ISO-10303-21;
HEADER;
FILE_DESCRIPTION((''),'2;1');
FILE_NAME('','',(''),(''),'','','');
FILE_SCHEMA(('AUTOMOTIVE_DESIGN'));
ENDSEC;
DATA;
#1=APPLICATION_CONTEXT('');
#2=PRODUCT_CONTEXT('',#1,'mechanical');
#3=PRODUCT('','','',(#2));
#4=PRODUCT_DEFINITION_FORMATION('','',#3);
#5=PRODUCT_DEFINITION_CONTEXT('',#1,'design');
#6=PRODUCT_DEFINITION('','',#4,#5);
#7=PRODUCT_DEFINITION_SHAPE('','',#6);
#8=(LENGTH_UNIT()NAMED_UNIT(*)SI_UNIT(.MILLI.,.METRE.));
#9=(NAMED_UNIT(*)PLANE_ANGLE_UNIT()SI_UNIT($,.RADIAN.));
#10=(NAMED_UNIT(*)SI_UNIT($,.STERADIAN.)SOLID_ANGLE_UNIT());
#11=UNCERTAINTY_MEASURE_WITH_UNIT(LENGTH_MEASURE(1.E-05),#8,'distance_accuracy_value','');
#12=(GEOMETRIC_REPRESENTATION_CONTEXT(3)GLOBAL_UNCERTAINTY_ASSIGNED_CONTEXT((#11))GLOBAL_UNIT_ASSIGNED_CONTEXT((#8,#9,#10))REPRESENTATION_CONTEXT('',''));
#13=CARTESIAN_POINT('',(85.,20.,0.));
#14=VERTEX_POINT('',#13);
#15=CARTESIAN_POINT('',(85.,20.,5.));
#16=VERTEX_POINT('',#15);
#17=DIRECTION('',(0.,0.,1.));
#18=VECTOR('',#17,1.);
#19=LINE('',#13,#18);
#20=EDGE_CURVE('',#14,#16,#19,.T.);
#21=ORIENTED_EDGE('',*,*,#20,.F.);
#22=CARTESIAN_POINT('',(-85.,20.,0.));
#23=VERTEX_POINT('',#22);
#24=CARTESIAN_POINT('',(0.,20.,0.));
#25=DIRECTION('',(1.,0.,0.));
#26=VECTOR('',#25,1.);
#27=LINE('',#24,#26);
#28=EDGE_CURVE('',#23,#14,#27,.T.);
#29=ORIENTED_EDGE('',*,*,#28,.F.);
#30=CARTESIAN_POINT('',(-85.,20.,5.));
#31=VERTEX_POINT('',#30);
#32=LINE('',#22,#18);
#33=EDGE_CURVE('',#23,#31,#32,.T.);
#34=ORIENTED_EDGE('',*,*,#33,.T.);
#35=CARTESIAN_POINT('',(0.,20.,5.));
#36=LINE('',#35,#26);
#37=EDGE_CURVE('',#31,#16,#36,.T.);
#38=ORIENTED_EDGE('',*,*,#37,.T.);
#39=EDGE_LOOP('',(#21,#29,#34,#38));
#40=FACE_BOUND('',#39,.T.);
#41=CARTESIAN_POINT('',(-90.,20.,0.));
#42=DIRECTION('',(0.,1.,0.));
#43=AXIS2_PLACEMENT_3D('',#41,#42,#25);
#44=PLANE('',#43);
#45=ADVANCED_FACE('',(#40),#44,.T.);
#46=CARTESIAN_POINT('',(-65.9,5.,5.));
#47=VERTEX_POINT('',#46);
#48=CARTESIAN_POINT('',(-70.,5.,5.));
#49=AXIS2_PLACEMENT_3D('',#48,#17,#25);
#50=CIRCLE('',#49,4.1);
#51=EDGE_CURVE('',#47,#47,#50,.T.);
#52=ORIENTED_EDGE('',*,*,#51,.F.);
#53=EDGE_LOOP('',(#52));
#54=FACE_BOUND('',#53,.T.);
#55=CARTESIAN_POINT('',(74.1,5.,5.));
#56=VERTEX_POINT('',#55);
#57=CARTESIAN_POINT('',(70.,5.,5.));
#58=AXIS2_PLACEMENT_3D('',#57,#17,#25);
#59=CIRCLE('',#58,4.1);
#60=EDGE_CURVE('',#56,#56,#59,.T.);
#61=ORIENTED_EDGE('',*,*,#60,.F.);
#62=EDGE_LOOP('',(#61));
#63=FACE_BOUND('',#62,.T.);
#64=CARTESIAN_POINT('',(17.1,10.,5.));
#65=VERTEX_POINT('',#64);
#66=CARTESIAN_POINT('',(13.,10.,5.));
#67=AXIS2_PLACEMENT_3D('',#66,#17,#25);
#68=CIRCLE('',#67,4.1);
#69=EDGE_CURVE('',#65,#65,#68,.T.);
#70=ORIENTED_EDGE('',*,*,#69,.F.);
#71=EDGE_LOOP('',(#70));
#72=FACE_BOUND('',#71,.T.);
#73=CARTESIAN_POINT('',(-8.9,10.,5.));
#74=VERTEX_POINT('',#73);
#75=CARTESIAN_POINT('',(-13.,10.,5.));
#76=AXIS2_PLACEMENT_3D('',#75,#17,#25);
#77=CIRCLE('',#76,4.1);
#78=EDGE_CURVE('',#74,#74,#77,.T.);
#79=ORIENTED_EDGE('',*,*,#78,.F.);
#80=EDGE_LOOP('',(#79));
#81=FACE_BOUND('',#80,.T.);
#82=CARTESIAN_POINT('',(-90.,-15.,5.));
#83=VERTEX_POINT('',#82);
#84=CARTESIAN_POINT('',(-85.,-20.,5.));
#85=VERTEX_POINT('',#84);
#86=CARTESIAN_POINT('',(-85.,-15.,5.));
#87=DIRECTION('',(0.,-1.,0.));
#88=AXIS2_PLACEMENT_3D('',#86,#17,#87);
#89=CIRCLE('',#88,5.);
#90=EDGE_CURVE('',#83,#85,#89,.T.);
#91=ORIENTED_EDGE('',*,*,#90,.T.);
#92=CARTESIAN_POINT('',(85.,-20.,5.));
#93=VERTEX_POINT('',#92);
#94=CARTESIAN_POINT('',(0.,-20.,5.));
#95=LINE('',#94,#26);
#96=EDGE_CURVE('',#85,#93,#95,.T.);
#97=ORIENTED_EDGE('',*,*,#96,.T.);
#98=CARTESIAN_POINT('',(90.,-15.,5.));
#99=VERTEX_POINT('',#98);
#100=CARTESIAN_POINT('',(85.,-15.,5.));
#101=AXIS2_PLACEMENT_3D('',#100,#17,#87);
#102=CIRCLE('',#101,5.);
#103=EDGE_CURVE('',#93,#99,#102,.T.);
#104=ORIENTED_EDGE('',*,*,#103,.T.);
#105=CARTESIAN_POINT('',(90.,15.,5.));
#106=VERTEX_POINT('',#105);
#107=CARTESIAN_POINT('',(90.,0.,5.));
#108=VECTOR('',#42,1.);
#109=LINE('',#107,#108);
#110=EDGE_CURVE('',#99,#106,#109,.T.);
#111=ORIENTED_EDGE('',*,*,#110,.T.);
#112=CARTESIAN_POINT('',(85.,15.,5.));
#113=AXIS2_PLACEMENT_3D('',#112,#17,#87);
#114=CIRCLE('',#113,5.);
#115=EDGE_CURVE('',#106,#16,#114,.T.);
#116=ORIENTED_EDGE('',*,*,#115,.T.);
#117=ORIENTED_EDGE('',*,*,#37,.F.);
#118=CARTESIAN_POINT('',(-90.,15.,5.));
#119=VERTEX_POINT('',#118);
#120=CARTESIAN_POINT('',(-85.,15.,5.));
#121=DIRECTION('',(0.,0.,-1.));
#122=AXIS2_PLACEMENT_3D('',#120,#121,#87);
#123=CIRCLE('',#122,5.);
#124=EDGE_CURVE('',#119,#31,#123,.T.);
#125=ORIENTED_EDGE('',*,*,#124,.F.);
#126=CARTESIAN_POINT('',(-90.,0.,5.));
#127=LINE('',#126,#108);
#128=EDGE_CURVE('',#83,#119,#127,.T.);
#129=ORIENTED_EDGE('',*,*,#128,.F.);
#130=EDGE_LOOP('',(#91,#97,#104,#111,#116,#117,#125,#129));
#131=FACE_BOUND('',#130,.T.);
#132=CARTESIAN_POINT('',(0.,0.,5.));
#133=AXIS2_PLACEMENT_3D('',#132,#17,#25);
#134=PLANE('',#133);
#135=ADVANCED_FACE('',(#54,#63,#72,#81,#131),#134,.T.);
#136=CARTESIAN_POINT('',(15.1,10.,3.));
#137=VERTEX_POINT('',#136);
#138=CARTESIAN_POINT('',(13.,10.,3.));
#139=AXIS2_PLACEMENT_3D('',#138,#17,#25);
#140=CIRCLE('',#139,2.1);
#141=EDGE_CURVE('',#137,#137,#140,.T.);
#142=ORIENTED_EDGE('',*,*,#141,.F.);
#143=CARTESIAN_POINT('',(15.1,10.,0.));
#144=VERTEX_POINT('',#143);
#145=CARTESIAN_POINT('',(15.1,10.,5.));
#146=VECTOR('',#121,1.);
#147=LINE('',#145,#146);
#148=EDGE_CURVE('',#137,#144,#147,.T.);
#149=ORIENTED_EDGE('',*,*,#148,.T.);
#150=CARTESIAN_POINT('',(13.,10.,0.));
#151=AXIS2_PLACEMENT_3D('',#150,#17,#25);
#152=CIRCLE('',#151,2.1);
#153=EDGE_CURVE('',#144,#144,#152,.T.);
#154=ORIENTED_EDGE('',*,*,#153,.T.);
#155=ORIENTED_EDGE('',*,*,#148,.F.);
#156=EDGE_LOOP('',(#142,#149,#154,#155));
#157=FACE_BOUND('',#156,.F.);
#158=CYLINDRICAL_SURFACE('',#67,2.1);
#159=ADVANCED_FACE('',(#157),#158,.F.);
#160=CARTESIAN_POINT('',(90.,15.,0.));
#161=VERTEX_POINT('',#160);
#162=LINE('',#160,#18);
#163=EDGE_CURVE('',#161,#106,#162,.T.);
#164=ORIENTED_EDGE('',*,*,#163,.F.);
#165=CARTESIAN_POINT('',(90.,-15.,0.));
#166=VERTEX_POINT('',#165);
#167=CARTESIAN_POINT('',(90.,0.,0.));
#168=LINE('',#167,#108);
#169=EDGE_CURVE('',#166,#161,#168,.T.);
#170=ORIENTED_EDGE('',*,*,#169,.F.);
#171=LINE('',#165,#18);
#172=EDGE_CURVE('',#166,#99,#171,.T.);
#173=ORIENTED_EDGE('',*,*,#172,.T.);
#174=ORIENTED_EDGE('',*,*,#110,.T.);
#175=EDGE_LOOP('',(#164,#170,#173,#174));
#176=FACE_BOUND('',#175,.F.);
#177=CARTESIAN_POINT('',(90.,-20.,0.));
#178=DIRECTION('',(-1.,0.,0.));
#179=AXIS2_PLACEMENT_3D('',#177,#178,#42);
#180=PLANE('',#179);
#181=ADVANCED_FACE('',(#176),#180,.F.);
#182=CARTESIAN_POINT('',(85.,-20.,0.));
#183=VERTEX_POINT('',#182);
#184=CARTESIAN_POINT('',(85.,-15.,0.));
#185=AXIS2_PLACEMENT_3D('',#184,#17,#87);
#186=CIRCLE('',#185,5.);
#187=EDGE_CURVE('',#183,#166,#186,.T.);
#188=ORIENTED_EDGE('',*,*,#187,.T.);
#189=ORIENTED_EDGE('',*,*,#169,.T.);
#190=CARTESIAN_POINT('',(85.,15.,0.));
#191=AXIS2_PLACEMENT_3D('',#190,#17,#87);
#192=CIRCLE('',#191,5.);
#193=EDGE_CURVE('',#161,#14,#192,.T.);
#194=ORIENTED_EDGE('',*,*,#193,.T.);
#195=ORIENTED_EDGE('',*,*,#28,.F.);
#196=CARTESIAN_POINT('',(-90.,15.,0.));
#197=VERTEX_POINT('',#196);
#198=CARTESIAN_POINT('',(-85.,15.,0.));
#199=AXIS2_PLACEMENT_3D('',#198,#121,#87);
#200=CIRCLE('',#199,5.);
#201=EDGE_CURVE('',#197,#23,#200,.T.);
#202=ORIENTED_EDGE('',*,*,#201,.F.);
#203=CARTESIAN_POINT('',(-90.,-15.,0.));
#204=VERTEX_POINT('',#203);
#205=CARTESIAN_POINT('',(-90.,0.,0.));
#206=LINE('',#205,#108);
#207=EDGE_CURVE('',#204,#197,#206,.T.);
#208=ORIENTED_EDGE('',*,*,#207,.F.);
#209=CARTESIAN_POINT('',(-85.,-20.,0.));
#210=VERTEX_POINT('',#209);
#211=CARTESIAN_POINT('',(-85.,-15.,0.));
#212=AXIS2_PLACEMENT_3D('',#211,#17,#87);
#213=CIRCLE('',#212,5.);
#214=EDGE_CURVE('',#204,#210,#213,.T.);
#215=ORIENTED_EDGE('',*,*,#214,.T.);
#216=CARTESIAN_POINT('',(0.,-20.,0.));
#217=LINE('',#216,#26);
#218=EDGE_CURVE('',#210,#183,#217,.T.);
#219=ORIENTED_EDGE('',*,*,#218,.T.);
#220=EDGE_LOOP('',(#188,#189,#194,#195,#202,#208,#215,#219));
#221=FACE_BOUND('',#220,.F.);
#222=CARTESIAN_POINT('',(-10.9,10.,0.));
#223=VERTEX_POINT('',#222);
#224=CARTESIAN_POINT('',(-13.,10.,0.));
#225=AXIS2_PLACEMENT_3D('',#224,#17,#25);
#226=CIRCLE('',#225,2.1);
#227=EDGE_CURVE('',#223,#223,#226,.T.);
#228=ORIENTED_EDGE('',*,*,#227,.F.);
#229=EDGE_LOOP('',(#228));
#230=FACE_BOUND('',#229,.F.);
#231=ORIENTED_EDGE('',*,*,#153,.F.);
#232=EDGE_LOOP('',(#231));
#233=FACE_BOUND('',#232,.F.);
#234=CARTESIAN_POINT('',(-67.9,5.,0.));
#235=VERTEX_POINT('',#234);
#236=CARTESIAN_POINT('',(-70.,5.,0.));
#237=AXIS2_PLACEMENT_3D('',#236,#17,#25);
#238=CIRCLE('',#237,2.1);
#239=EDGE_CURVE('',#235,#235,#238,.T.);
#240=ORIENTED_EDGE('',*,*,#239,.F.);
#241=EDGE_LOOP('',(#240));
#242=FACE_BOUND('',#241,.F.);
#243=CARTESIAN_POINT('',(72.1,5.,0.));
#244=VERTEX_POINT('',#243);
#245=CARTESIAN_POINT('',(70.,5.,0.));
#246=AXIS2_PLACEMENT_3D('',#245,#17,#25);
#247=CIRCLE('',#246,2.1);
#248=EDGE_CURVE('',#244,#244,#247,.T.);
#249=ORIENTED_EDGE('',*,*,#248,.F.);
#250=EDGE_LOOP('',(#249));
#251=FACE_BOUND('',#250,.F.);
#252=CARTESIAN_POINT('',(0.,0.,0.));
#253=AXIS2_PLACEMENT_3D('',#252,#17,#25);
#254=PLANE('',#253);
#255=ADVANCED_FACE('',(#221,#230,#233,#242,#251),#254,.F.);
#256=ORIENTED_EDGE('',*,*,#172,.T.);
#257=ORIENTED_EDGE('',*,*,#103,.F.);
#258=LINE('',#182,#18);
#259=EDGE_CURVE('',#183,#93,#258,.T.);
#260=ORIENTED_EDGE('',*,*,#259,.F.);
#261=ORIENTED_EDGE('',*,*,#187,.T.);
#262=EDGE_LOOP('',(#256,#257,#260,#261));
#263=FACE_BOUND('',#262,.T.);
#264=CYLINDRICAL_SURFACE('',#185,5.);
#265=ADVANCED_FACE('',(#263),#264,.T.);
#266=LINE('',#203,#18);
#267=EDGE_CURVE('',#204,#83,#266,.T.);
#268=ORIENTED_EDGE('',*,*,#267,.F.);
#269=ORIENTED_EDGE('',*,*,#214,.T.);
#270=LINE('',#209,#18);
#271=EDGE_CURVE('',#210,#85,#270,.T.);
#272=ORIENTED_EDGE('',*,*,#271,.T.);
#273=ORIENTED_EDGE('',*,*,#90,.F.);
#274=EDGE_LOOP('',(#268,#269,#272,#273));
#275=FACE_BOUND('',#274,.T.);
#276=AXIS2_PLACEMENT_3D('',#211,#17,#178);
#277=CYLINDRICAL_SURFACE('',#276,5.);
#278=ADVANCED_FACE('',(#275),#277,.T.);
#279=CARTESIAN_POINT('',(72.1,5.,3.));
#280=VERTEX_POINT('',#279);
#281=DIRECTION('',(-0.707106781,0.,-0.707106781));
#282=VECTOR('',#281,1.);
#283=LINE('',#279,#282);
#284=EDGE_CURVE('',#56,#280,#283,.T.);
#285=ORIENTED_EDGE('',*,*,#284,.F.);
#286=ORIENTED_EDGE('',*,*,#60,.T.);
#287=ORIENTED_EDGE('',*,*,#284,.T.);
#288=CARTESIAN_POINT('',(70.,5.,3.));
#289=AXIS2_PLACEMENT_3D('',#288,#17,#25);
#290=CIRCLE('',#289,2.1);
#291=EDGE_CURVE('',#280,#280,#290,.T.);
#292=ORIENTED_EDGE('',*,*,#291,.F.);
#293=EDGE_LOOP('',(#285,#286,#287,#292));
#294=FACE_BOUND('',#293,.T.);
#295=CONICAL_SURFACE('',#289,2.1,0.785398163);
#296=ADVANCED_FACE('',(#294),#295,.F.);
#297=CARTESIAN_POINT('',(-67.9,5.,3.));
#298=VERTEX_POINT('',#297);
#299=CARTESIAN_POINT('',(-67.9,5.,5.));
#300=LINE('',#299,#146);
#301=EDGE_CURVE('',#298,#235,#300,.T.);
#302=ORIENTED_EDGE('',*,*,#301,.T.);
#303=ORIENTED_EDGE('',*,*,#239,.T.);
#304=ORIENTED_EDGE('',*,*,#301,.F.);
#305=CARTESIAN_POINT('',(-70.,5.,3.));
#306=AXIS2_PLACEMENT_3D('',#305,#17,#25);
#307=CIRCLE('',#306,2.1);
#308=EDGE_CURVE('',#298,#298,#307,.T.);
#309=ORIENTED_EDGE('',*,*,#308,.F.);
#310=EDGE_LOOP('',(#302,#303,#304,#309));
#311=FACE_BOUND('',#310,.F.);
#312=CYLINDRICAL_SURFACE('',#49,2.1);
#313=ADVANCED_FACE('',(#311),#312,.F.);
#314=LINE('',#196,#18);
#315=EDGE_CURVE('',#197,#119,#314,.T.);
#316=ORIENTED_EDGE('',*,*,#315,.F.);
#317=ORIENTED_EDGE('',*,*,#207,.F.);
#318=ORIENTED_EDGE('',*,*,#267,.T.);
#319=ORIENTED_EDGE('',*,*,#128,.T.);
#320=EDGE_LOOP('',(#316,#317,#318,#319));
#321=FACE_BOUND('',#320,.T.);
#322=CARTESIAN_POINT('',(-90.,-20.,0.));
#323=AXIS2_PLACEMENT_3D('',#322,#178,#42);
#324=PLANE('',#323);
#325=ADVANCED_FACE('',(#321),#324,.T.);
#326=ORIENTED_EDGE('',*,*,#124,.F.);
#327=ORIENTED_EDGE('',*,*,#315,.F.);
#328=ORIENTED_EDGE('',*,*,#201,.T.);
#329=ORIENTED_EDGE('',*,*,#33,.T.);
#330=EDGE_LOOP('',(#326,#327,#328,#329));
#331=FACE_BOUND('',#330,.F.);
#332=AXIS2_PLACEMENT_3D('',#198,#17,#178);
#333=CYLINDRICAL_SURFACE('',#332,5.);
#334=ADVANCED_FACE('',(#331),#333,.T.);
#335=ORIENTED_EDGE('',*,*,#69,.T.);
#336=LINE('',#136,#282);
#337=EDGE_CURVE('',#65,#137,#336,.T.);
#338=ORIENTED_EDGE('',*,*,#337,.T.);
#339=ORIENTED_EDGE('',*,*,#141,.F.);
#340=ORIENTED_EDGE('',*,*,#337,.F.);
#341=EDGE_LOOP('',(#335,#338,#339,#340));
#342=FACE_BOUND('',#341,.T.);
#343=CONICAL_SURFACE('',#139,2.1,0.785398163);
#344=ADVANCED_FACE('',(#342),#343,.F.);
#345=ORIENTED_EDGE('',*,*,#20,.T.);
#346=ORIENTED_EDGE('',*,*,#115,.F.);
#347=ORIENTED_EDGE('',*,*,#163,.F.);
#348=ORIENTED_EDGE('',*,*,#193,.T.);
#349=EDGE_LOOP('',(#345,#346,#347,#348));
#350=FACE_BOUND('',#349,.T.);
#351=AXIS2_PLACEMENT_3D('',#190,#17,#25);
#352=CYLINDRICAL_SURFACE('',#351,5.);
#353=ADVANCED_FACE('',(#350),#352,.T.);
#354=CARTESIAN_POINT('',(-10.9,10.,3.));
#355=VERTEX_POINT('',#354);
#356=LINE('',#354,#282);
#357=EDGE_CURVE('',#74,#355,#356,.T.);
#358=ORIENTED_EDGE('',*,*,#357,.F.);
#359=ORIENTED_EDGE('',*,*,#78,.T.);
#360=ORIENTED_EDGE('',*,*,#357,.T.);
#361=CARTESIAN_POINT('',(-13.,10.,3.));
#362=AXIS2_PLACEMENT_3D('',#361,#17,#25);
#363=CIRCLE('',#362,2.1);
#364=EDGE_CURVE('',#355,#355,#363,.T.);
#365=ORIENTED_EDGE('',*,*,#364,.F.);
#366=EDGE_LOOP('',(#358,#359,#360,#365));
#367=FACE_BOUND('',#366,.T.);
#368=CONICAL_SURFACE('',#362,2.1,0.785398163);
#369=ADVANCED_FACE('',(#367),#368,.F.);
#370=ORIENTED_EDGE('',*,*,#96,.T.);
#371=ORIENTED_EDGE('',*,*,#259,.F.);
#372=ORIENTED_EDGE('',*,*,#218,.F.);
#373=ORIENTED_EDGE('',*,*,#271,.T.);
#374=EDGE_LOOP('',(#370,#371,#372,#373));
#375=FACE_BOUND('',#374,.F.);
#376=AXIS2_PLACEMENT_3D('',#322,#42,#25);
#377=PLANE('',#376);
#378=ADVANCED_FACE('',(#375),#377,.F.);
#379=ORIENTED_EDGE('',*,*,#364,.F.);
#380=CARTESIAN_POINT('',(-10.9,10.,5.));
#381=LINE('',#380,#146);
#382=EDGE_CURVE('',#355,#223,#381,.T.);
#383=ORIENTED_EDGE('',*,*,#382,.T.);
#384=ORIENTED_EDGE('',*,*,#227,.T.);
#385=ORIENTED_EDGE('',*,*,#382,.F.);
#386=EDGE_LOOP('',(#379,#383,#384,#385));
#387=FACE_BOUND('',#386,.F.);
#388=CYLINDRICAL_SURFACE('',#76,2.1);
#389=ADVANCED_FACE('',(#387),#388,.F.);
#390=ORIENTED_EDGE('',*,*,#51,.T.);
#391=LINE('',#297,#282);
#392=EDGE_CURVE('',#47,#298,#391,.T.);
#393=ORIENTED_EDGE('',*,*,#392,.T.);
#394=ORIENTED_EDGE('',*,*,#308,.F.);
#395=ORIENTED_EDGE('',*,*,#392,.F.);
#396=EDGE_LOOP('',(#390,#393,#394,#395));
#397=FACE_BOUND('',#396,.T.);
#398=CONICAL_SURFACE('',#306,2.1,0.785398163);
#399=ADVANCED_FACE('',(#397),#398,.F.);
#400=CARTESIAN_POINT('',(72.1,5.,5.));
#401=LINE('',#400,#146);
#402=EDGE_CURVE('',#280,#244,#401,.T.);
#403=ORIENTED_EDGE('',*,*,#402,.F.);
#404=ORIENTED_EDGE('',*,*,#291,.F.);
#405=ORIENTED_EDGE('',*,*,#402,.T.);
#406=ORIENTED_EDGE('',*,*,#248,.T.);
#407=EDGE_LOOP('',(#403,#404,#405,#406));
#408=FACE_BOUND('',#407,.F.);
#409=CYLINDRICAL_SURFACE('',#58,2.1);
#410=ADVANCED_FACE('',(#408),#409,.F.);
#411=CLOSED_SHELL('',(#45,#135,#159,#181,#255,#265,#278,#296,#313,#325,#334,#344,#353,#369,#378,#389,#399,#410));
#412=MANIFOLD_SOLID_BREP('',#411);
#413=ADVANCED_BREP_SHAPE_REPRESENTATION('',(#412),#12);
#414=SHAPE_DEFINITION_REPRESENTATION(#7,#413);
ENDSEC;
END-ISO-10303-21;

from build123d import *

# Parameters (mm, degrees)
SZKIC1_W                    = 180
SZKIC1_H                    = 40
DODANIE_WYCI_GNI_CIE1_DEPTH = 5
ZAOKR_GLENIE1_R             = 5
SZKIC2_R                    = 2.1
WYTNIJ_WYCI_GNI_CIE1_DEPTH  = 5
SFAZOWANIE1_SIZE            = 2


with BuildPart() as part:
    # Szkic1 → Dodanie-wyciągnięcie1 (new body)
    with BuildSketch(Plane.XY):
        Rectangle(SZKIC1_W, SZKIC1_H)
    extrude(amount=DODANIE_WYCI_GNI_CIE1_DEPTH)

    # Zaokrąglenie1
    zaokr_glenie1_edges = [part.edges().sort_by_distance(p)[0] for p in [
        (90, -20, 2.5),
        (-90, -20, 2.5),
        (-90, 20, 2.5),
        (90, 20, 2.5),
    ]]
    fillet(zaokr_glenie1_edges, radius=ZAOKR_GLENIE1_R)

    # Szkic2 → Wytnij-wyciągnięcie1 (cut)
    with BuildSketch(Plane.XY.offset(5)):
        with Locations((-70, 5)):
            Circle(SZKIC2_R)
        with Locations((-13, 10)):
            Circle(SZKIC2_R)
        with Locations((13, 10)):
            Circle(SZKIC2_R)
        with Locations((70, 5)):
            Circle(SZKIC2_R)
    extrude(amount=-WYTNIJ_WYCI_GNI_CIE1_DEPTH, mode=Mode.SUBTRACT)

    # Sfazowanie1
    sfazowanie1_edges = [part.edges().sort_by_distance(p)[0] for p in [
        (-72.1, 5, 5),
        (-15.1, 10, 5),
        (10.9, 10, 5),
        (67.9, 5, 5),
    ]]
    chamfer(sfazowanie1_edges, length=SFAZOWANIE1_SIZE)


solid = part.part
